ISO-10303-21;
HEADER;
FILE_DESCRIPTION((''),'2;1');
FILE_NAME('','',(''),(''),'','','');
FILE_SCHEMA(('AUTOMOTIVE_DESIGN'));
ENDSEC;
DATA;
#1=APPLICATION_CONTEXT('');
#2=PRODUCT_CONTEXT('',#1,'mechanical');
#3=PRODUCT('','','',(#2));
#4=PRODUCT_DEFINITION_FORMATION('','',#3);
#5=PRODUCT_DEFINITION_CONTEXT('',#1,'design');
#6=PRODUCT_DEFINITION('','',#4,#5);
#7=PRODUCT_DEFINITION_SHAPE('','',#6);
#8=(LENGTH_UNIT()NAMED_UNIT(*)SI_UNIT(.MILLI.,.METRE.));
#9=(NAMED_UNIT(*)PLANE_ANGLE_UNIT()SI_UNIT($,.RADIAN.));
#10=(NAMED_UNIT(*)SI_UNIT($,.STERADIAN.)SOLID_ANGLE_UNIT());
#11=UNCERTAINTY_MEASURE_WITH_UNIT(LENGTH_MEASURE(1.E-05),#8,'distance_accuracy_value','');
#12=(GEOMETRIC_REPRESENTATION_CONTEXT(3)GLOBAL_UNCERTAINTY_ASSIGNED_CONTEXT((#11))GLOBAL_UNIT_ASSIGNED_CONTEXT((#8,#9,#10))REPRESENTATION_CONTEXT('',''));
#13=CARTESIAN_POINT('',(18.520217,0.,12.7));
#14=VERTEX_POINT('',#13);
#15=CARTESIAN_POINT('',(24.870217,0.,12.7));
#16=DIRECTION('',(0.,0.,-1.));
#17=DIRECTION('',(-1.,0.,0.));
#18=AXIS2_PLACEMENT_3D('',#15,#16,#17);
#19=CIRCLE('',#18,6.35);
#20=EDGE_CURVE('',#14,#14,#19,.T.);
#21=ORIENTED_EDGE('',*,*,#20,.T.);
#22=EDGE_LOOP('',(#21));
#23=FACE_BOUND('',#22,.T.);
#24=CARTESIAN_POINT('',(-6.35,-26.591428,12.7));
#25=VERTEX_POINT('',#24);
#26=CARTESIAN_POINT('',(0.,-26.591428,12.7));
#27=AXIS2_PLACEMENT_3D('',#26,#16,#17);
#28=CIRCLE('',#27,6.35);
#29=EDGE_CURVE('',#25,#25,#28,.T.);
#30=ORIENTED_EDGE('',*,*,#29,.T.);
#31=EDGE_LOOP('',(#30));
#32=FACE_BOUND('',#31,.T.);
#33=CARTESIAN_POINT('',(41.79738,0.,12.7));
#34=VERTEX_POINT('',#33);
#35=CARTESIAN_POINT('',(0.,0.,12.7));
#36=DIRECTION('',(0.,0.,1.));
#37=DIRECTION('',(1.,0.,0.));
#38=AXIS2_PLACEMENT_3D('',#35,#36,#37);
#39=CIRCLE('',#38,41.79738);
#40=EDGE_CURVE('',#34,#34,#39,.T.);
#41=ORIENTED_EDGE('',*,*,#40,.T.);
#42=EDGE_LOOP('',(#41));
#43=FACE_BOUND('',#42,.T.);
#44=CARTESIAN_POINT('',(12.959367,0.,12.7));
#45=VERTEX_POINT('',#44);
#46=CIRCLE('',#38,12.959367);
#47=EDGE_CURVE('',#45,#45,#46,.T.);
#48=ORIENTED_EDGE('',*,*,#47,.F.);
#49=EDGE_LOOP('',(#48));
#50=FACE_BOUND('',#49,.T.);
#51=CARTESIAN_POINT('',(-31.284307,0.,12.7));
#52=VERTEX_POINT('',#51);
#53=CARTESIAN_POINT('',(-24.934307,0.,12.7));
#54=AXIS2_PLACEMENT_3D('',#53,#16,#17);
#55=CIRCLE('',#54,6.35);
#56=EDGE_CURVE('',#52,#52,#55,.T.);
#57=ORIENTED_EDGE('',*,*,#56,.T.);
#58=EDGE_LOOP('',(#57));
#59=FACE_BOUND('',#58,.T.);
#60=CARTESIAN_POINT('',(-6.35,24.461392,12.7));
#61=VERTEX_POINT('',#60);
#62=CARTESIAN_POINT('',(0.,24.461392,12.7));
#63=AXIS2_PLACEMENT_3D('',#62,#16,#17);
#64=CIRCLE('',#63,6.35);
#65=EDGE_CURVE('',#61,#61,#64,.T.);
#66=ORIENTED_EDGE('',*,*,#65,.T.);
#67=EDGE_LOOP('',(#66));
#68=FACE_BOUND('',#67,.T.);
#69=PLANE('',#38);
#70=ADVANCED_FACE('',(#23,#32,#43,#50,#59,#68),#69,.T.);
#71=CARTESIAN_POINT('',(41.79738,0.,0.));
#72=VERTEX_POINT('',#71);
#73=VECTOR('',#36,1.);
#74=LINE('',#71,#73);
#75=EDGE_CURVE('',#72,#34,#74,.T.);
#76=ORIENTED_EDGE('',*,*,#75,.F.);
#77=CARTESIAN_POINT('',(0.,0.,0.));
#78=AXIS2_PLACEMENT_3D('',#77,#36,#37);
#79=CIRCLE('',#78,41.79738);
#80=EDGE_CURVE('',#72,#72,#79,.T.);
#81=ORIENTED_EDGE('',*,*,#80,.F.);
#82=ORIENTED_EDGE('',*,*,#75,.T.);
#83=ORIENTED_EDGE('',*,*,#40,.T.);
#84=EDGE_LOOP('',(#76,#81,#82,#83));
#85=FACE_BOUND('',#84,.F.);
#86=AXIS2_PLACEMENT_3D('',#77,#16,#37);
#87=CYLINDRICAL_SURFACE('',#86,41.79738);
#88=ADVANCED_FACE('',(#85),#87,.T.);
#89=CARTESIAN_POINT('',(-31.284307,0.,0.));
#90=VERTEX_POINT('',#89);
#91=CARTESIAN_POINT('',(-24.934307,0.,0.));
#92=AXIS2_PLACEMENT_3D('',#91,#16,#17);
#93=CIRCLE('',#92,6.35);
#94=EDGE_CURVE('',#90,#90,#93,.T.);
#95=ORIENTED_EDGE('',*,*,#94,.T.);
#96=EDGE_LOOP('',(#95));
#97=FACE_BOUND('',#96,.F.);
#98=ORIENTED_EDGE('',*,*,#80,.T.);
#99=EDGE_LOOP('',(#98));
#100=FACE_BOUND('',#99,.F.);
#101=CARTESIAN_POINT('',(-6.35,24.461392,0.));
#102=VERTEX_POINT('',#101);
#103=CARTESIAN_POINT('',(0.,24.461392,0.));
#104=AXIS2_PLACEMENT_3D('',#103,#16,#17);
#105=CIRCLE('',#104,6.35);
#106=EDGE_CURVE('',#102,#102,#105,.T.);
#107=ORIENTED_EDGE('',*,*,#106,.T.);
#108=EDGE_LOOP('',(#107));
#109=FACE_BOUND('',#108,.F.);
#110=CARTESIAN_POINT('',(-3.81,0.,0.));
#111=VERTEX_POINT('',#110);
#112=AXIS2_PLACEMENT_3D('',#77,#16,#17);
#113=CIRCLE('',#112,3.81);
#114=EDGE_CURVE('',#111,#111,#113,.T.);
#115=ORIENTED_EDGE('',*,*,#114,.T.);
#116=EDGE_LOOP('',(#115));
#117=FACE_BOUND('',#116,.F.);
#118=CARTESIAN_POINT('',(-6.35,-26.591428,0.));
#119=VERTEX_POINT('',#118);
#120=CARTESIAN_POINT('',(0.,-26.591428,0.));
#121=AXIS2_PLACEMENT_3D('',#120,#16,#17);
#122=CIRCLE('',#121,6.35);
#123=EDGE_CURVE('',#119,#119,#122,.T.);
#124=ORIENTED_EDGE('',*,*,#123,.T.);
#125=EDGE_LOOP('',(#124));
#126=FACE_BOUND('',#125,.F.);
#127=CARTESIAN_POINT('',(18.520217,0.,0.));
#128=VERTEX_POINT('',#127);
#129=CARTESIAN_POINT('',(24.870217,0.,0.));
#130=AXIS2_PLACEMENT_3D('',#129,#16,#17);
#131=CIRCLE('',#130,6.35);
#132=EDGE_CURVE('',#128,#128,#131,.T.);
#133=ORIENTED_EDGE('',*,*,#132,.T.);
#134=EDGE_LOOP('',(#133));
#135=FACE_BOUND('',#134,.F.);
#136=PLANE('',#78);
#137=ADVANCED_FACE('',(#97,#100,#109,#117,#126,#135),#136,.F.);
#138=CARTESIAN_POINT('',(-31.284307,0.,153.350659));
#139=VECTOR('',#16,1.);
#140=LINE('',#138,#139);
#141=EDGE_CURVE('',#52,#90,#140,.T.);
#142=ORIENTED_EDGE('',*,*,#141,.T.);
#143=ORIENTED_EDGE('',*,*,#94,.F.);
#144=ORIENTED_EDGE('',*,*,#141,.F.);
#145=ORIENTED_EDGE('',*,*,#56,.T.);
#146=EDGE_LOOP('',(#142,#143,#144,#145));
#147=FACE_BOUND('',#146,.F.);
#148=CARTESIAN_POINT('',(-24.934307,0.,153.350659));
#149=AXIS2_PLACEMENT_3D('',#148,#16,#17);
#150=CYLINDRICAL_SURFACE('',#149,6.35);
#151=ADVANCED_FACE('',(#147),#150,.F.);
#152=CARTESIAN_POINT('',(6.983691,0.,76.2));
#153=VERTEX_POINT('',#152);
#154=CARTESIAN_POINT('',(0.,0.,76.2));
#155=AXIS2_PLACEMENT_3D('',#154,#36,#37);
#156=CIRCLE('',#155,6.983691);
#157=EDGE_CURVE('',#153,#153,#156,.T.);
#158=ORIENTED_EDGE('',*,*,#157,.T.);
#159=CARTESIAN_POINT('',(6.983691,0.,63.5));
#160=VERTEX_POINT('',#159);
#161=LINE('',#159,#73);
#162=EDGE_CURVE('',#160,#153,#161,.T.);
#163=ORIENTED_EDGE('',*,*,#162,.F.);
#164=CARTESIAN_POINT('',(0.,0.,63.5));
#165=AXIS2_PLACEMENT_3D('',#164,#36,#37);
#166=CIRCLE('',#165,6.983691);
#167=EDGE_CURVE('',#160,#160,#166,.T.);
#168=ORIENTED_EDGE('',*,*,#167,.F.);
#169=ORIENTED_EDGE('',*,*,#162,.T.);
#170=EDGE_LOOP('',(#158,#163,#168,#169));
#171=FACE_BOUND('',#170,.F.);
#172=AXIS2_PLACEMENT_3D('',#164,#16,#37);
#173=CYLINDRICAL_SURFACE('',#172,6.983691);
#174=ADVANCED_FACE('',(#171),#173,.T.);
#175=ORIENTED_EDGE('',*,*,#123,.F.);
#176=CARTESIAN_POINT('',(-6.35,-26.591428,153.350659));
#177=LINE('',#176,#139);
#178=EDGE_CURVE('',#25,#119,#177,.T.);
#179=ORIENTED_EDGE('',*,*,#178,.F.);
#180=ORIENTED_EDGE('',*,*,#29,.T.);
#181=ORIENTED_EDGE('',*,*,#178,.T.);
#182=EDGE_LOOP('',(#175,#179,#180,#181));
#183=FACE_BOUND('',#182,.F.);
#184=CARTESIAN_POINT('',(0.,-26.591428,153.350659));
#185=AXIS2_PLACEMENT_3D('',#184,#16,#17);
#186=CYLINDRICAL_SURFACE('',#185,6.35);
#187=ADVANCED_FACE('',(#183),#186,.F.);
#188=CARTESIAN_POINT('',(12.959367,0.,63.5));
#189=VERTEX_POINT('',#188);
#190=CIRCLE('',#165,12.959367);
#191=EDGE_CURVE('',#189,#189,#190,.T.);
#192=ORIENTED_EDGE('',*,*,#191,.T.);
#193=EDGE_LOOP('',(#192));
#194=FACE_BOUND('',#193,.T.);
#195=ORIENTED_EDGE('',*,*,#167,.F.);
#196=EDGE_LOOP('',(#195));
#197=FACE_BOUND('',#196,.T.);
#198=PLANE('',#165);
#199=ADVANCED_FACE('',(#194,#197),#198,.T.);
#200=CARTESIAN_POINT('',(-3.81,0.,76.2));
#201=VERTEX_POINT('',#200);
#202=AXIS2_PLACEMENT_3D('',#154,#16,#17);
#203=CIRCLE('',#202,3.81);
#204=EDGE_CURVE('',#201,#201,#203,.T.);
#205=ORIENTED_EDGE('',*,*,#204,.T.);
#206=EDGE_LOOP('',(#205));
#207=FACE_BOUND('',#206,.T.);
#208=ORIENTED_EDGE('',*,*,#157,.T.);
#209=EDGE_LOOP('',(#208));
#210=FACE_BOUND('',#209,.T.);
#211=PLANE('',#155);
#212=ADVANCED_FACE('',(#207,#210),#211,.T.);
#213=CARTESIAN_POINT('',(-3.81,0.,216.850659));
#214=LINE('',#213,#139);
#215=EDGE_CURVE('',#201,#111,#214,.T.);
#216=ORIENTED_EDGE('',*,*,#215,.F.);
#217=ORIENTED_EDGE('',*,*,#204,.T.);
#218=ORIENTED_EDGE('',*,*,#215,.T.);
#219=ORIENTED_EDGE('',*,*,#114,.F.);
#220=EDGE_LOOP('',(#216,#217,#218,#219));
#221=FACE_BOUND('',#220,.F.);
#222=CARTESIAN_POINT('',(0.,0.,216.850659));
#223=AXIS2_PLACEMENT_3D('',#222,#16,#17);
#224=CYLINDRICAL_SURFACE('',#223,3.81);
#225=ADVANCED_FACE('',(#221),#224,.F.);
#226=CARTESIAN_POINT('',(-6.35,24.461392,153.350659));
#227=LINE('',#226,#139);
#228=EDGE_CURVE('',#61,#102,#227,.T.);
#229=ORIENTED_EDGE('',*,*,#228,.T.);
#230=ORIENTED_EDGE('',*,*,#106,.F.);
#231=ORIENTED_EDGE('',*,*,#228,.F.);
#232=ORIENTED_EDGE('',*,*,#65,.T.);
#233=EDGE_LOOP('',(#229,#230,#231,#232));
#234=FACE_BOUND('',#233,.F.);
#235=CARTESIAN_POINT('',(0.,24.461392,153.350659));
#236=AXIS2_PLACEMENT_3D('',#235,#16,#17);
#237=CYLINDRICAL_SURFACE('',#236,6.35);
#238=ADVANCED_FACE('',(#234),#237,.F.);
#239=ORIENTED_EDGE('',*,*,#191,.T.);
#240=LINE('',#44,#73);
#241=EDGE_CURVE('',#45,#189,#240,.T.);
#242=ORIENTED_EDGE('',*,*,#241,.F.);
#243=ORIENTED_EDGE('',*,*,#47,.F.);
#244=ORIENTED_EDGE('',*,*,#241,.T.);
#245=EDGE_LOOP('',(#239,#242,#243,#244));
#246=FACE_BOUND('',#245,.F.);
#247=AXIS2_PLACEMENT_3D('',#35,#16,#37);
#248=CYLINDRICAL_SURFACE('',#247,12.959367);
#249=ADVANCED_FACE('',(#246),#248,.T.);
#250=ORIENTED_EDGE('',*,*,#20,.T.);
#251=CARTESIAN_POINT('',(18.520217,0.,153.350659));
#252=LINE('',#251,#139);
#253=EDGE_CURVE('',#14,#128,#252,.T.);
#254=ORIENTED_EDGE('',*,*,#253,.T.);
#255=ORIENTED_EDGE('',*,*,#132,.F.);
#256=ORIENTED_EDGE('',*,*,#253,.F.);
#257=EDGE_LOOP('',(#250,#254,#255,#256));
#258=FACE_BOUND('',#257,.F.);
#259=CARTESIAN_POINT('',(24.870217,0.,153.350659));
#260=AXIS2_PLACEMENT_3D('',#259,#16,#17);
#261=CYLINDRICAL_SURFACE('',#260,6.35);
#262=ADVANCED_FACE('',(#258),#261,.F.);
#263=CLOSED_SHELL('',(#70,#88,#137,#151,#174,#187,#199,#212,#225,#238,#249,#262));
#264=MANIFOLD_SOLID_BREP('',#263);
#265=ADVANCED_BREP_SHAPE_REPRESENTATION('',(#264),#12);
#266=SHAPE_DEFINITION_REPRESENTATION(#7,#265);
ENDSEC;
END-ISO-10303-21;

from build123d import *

# Parameters (mm, degrees)
F0_R     = 41.79738
F1_DEPTH = 12.7
F2_R     = 12.959367
F3_DEPTH = 50.8
F4_R     = 6.983691
F5_DEPTH = 12.7
F8_D     = 7.62
F10_D    = 12.7


with BuildPart() as f1:
    # F0 (on Top) → F1 (new body)
    with BuildSketch(Plane.XY):
        Circle(F0_R)
    extrude(amount=F1_DEPTH)

    # F2 (on face) → F3 (join)
    with BuildSketch(Plane.XY.offset(12.7)):
        Circle(F2_R)
    extrude(amount=F3_DEPTH)

    # F4 (on face) → F5 (join)
    with BuildSketch(Plane.XY.offset(63.5)):
        Circle(F4_R)
    extrude(amount=F5_DEPTH)

    # F8 (through all)
    with Locations(Plane.XY.offset(76.2)):
        with Locations((0, 0)):
            Hole(F8_D / 2)

    # F10 (through all)
    with Locations(Plane.XY.offset(12.7)):
        with Locations((0, -26.591428), (-24.934307, 0), (24.870217, 0), (0, 24.461392)):
            Hole(F10_D / 2)


solid = f1.part
